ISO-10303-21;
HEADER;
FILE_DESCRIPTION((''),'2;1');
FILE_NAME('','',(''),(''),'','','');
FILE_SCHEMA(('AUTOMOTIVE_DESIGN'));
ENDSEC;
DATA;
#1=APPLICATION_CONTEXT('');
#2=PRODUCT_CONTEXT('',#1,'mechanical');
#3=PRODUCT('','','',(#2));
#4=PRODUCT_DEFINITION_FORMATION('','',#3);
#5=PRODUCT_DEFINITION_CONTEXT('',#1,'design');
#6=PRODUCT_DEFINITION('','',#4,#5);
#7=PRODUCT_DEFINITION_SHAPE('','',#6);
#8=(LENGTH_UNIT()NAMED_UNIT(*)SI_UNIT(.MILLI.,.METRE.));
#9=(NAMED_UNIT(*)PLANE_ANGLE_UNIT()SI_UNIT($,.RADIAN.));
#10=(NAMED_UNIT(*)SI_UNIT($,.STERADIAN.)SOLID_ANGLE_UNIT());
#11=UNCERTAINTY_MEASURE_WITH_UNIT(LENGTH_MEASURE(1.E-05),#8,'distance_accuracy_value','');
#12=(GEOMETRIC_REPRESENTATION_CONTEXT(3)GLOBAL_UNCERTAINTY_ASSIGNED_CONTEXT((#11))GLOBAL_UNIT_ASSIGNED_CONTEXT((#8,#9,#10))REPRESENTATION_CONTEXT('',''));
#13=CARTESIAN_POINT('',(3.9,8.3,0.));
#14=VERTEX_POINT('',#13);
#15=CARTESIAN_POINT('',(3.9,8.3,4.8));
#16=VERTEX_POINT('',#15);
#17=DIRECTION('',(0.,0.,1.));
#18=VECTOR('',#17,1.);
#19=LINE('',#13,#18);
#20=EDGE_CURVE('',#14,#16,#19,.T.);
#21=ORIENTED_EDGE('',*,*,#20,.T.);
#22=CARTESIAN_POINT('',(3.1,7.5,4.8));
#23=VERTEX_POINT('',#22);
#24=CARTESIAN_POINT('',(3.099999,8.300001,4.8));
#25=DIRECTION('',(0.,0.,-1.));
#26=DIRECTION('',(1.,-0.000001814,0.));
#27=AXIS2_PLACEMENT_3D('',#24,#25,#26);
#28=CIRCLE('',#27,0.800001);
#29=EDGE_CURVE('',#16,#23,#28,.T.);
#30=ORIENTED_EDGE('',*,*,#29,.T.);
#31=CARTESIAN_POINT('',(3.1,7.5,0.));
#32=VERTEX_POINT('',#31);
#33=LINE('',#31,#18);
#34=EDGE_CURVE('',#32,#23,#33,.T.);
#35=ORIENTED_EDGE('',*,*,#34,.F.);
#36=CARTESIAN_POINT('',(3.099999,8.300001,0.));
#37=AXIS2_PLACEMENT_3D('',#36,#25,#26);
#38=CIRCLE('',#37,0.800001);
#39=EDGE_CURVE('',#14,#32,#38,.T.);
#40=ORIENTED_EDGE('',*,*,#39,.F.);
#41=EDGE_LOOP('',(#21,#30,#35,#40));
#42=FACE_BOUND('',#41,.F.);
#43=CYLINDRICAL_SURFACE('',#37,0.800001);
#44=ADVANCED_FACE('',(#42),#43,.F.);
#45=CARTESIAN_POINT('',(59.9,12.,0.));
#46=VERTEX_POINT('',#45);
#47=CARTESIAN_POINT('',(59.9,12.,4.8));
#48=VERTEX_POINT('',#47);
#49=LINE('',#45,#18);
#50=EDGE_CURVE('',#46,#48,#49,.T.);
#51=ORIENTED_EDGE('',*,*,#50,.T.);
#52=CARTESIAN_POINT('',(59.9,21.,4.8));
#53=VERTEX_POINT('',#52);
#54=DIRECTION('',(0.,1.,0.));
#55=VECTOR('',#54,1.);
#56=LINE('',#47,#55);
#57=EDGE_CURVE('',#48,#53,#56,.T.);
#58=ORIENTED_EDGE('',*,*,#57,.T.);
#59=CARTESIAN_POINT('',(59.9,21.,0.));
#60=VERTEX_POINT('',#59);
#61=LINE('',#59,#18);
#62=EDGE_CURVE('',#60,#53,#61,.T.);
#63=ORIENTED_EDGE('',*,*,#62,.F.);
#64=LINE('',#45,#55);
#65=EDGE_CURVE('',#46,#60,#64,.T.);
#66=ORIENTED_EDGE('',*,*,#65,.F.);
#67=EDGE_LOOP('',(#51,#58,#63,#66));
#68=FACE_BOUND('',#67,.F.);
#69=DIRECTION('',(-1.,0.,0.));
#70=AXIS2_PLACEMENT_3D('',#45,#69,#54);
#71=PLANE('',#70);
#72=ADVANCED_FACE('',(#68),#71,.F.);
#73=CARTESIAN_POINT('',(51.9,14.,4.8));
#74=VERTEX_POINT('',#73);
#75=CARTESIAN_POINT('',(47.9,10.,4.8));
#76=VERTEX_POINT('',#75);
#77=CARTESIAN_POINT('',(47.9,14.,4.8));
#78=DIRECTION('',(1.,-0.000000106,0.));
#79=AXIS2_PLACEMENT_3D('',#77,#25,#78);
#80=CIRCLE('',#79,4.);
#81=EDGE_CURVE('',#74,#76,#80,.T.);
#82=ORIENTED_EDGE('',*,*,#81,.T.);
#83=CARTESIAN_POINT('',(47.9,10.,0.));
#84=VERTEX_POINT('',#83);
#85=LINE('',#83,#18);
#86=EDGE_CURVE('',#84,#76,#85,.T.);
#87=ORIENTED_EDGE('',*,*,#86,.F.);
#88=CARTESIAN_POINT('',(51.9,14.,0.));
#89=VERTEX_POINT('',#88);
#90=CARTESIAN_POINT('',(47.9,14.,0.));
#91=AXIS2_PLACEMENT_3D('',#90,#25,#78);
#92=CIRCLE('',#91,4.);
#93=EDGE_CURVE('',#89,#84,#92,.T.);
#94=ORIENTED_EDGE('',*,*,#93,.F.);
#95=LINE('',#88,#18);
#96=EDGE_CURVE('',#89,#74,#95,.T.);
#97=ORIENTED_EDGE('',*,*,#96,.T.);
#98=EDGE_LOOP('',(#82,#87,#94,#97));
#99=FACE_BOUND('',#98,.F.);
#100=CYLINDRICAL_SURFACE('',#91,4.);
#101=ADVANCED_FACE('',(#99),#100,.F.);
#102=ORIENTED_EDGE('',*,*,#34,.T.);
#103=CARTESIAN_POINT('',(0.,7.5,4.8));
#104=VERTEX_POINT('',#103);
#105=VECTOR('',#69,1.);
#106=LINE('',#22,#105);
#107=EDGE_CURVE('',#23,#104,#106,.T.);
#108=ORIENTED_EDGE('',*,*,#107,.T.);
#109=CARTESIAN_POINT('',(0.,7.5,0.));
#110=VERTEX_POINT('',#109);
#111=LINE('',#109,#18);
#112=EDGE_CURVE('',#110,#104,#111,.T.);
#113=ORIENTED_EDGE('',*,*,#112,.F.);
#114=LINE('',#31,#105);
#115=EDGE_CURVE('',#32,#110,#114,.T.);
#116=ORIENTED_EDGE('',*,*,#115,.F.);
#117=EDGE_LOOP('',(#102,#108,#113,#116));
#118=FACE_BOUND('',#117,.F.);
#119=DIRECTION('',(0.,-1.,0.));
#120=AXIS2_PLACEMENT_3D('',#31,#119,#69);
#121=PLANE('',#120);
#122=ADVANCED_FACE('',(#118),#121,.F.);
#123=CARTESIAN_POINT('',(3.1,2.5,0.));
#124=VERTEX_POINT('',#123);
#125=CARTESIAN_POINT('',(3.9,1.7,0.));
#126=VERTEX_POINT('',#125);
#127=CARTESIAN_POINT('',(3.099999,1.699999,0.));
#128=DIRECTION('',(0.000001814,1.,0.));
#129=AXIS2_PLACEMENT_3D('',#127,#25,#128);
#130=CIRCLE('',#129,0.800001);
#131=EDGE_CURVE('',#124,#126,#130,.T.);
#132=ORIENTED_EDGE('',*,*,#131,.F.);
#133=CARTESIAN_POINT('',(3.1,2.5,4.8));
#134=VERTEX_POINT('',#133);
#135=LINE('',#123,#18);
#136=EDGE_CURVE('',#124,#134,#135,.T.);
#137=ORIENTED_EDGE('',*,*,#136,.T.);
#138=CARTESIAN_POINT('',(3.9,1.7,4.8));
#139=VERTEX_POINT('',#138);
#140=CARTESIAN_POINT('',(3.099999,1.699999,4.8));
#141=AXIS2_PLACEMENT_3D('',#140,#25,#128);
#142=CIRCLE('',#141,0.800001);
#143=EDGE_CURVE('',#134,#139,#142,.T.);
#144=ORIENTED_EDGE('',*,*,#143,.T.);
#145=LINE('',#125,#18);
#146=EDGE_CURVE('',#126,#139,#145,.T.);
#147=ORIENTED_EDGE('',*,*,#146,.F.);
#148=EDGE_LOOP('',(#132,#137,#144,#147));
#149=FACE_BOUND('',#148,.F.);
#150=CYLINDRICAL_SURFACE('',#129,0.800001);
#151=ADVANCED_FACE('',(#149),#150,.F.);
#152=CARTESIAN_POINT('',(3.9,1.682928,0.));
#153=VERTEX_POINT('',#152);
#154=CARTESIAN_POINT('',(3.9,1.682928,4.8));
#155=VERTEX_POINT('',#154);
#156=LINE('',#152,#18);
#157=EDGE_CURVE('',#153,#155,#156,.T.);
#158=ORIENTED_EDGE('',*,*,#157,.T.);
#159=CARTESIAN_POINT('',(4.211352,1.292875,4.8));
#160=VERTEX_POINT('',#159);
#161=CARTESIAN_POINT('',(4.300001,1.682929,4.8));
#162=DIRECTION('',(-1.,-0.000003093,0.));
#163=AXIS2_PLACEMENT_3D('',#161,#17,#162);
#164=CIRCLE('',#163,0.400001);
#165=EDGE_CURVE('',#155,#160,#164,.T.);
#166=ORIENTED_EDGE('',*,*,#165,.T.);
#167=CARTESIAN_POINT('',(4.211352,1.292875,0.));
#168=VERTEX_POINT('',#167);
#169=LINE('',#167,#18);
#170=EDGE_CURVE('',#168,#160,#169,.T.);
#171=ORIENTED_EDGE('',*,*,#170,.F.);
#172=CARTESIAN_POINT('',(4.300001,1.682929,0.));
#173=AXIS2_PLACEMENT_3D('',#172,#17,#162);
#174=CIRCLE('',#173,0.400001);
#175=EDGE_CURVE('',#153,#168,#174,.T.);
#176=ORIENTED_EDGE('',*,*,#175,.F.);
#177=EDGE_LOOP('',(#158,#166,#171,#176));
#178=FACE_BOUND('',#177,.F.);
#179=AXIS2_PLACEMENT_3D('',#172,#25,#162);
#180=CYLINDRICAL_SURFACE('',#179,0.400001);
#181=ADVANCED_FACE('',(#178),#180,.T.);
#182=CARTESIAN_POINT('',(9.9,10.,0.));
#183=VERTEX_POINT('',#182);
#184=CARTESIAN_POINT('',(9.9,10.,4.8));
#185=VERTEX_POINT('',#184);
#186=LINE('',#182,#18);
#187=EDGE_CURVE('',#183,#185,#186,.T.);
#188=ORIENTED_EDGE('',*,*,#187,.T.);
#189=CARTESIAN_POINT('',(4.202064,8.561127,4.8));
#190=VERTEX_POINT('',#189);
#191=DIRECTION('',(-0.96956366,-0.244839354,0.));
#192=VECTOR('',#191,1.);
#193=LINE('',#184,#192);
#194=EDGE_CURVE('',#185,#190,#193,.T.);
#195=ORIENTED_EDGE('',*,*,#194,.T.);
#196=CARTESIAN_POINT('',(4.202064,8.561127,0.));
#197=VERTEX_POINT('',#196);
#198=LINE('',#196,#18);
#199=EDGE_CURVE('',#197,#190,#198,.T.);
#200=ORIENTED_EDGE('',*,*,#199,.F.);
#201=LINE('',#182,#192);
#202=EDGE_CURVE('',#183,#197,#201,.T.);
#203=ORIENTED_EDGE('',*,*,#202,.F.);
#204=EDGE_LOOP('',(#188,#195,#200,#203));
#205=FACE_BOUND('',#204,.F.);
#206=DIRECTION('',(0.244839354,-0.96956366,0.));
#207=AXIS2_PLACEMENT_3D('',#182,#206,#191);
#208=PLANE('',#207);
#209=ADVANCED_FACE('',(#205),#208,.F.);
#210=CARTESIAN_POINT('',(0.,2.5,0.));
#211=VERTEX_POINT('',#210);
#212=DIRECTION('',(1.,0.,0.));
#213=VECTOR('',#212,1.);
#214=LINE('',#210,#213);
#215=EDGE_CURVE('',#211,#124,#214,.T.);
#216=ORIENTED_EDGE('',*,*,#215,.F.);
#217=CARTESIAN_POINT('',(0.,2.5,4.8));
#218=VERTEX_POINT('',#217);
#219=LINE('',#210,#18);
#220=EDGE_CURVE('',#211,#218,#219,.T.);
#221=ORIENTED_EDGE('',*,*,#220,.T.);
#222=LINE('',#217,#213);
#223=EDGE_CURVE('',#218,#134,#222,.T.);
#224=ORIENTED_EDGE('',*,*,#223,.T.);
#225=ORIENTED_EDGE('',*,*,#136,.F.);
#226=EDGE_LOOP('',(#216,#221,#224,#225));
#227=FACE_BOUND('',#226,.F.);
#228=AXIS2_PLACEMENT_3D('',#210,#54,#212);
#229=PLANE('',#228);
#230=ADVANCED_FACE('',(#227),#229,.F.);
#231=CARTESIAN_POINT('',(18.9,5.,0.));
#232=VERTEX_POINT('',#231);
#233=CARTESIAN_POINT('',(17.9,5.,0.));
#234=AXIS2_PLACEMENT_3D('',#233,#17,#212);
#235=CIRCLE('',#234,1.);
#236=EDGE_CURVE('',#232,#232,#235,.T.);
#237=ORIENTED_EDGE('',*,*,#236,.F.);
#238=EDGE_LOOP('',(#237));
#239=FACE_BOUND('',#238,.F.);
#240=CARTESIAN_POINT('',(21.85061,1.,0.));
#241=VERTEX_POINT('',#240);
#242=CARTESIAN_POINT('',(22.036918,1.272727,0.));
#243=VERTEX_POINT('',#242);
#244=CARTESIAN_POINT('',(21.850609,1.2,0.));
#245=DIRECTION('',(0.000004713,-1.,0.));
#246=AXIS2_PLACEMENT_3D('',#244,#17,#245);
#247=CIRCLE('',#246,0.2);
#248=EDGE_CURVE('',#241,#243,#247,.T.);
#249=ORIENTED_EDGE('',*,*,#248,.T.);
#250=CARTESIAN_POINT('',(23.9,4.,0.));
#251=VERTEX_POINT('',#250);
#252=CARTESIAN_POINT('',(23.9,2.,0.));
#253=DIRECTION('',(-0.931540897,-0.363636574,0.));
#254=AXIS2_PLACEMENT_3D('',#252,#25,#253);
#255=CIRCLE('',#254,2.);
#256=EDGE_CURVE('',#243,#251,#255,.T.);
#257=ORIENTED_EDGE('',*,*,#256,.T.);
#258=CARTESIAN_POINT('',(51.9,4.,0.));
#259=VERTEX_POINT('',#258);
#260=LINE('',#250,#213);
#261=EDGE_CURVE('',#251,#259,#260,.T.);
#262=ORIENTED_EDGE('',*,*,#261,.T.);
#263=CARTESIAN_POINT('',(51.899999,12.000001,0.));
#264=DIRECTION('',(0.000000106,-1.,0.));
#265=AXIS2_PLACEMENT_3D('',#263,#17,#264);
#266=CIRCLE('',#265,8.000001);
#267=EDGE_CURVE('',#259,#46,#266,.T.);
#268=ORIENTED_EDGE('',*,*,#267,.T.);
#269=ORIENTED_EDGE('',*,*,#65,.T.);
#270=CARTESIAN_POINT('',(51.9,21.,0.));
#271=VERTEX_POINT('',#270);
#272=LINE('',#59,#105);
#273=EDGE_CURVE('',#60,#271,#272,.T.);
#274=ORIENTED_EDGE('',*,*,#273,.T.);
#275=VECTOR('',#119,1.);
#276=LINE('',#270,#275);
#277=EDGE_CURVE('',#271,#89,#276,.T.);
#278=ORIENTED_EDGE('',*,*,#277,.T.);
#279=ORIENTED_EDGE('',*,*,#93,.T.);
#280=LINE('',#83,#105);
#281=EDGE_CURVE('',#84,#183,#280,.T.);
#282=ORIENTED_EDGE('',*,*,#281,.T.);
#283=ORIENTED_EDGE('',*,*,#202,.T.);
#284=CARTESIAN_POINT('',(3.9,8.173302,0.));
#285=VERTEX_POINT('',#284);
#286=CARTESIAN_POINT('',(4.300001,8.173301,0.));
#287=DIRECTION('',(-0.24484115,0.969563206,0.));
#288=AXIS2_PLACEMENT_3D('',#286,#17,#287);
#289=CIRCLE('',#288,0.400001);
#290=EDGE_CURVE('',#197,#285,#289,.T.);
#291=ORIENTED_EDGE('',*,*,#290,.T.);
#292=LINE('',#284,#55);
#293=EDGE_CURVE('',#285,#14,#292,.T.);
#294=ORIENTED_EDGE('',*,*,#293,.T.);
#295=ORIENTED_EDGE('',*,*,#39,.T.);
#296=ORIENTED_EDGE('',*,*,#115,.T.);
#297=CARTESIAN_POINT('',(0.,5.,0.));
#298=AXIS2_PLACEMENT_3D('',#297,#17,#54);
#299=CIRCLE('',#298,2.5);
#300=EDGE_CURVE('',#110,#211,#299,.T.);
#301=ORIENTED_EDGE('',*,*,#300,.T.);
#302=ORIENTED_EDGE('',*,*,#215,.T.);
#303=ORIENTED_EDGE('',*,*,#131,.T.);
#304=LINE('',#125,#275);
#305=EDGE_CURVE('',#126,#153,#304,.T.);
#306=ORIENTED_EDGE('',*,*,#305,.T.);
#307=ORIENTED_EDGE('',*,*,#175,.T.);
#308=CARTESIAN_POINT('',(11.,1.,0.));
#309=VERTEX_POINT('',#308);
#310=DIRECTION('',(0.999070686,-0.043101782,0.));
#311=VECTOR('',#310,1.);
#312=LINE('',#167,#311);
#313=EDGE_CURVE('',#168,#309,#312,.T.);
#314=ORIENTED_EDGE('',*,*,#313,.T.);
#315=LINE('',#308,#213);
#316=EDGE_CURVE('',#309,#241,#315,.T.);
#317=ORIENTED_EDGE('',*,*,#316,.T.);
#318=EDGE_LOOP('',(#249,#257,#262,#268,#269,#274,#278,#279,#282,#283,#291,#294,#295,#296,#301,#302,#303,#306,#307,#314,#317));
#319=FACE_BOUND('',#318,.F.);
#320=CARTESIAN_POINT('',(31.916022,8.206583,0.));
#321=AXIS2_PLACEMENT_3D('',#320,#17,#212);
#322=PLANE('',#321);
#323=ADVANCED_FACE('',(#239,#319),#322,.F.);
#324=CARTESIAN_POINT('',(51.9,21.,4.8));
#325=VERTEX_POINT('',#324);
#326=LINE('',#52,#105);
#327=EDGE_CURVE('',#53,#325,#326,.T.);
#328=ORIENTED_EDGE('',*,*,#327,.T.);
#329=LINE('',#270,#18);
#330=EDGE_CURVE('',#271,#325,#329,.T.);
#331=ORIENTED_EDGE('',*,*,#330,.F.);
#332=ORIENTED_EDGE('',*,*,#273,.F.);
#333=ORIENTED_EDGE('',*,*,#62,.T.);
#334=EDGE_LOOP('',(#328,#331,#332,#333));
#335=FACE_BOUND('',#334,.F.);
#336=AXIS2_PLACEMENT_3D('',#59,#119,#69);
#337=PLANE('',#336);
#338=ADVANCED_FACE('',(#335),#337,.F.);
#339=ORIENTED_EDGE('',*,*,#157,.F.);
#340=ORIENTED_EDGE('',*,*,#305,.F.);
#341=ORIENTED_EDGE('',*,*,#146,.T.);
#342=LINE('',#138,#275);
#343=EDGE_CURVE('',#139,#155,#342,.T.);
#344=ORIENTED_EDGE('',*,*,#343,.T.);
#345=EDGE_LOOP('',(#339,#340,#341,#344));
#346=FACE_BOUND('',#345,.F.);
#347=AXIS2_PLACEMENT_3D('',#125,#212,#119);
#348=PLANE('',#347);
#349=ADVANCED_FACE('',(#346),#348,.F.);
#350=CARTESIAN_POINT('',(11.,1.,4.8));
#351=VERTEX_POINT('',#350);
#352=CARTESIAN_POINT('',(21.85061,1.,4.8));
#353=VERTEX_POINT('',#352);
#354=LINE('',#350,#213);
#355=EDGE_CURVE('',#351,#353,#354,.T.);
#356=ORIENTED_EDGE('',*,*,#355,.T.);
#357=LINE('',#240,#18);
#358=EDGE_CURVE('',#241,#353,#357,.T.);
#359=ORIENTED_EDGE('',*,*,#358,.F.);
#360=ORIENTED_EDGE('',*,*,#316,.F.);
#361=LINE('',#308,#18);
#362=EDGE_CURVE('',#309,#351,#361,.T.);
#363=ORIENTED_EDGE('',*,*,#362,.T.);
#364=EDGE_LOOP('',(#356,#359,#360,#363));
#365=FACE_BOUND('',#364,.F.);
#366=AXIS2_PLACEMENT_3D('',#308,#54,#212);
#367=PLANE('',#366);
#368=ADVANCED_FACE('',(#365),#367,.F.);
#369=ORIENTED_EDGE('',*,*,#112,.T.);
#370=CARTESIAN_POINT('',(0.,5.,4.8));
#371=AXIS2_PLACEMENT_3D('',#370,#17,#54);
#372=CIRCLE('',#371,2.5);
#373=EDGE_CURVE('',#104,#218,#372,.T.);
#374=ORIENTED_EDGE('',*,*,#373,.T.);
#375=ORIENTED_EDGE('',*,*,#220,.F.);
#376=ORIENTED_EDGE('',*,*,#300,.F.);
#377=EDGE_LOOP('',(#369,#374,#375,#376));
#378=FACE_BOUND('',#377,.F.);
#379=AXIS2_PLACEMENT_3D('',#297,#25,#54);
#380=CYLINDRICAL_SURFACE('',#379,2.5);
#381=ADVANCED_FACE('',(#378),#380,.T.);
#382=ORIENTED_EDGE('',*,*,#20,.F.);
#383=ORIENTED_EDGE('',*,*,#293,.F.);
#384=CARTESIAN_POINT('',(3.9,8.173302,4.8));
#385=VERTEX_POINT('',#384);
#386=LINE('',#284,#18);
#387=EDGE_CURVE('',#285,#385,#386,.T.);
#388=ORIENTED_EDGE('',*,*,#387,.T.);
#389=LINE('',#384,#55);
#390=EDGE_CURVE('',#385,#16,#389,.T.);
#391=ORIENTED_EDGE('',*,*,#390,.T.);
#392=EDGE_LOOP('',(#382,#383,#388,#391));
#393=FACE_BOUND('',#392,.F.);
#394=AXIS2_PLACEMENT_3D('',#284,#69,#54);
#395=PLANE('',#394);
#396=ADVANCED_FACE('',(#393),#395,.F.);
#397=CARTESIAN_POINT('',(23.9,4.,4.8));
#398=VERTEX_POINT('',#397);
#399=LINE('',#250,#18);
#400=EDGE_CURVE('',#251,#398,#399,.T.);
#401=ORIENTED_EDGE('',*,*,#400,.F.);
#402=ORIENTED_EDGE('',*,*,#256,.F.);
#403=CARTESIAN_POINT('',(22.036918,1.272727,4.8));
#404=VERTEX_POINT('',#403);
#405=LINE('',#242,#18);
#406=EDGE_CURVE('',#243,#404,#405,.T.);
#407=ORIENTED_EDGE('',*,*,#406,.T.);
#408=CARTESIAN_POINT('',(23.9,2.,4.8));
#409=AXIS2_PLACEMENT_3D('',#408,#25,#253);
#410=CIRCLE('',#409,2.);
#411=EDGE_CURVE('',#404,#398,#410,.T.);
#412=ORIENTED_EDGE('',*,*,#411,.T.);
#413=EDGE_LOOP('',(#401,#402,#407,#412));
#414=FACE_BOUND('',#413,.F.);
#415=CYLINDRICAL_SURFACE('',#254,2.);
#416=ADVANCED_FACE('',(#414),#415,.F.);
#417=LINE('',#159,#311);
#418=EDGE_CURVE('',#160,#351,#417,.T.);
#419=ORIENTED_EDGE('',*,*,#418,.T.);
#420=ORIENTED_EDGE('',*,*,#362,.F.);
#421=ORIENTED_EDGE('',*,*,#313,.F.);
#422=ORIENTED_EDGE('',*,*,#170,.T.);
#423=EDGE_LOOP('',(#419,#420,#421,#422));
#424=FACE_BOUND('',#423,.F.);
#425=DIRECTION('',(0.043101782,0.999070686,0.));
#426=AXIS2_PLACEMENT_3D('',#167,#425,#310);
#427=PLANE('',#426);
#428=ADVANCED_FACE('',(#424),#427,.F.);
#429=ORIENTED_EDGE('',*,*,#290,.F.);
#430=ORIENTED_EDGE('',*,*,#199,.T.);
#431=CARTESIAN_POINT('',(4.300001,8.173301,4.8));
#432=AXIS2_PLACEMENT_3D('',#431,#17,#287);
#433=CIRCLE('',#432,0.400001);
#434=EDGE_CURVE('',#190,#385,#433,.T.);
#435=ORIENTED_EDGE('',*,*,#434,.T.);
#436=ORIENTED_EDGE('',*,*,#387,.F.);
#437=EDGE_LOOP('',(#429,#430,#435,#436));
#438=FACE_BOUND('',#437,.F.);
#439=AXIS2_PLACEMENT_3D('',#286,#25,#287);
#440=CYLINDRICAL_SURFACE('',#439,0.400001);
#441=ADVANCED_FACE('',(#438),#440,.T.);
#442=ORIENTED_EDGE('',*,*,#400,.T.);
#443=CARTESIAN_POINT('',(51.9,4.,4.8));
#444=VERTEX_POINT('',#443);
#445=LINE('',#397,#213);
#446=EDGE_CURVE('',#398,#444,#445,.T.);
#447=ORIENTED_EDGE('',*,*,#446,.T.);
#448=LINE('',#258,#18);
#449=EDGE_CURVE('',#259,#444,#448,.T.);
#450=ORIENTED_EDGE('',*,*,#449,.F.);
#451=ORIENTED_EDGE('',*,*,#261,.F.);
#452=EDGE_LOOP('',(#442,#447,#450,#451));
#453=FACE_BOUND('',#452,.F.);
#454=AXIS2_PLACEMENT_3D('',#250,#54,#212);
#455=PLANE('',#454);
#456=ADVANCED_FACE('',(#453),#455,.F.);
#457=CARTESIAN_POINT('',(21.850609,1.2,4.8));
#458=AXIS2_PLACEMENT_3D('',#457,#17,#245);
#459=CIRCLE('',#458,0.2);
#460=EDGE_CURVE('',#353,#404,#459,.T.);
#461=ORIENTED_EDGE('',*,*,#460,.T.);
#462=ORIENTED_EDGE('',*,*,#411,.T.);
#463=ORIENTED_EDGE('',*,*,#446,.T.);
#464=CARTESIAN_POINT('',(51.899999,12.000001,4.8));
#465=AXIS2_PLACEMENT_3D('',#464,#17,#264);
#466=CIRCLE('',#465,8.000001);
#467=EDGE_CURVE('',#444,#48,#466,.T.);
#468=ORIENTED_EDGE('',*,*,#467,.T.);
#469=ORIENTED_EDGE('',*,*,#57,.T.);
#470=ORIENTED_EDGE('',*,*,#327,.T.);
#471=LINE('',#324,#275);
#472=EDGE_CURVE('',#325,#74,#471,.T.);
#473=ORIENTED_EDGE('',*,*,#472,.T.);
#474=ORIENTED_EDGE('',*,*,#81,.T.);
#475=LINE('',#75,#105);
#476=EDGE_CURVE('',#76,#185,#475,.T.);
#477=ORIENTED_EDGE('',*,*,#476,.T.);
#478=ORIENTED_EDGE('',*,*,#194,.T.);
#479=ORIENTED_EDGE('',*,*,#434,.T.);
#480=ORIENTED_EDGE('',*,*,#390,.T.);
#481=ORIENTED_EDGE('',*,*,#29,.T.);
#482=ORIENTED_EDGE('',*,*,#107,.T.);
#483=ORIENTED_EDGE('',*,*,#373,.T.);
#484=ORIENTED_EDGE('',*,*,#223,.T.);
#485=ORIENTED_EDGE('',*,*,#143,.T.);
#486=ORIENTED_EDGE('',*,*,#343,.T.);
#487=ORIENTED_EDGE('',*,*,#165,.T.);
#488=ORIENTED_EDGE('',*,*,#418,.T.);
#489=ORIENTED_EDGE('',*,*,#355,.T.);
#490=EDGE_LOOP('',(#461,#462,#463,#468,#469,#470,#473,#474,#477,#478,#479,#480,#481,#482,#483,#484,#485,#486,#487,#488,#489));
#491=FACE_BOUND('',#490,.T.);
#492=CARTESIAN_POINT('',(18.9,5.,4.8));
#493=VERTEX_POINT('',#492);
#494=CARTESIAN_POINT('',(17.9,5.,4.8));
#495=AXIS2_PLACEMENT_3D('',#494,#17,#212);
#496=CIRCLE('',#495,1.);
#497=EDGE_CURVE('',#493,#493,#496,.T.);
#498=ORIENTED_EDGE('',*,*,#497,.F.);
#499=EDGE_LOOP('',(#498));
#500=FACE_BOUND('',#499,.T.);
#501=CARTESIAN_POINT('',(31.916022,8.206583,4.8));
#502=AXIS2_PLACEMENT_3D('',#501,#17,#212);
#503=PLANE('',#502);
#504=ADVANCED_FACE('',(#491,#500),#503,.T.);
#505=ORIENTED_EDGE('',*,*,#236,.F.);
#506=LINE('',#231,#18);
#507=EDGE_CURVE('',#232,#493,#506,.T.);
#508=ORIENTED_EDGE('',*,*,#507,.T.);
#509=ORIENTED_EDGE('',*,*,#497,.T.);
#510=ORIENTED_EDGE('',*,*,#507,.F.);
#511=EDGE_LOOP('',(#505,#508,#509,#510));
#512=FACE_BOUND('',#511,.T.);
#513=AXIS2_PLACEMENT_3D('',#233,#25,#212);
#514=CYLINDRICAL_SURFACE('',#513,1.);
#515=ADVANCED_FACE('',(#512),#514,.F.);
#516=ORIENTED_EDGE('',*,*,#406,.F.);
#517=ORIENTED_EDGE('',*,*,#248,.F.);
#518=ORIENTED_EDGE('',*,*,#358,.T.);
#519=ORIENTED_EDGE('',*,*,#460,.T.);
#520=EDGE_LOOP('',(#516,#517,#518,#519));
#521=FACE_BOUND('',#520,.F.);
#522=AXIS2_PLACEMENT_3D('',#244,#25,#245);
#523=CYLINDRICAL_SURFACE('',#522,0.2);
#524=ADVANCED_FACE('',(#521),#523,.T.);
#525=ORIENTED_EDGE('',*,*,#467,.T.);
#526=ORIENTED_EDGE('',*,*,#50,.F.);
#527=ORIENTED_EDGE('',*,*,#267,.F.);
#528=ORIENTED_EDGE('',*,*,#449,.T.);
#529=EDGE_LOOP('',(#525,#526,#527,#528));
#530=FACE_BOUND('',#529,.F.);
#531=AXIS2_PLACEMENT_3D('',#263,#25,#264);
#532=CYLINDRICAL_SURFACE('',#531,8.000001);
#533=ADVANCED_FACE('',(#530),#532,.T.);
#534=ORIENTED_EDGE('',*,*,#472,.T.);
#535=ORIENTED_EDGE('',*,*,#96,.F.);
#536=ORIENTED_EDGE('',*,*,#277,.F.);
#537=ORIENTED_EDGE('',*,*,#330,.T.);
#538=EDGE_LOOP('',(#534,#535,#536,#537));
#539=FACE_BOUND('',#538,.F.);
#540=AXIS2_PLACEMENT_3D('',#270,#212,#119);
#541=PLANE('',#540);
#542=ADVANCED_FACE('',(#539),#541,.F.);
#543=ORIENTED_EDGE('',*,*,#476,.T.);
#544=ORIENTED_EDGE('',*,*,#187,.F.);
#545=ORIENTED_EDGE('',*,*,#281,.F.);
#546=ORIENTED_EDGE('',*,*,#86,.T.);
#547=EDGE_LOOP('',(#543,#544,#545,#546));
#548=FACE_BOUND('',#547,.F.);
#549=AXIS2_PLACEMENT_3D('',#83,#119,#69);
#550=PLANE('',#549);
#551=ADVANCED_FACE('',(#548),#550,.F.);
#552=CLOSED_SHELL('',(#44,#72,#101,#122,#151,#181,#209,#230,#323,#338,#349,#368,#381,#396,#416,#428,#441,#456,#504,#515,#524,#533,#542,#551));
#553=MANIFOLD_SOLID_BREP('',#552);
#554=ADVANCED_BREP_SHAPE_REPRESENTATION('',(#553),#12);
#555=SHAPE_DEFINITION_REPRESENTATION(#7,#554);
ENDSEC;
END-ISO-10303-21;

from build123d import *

# Parameters (mm, degrees)
F0_R     = 1
F1_DEPTH = 4.8


with BuildPart() as f1:
    # F0 (on Top) → F1 (new body)
    with BuildSketch(Plane.XY):
        with BuildLine():
            ThreePointArc((51.9, 4), (57.556854, 6.343146), (59.9, 12))
            Line((59.9, 12), (59.9, 21))
            Line((59.9, 21), (51.9, 21))
            Line((51.9, 21), (51.9, 14))
            ThreePointArc((51.9, 14), (50.728427, 11.171573), (47.9, 10))
            Line((47.9, 10), (9.9, 10))
            Line((9.9, 10), (4.202064, 8.561127))
            ThreePointArc((4.202064, 8.561127), (3.984426, 8.419092), (3.9, 8.173302))
            Line((3.9, 8.173302), (3.9, 8.3))
            ThreePointArc((3.9, 8.3), (3.665685, 7.734315), (3.1, 7.5))
            Line((3.1, 7.5), (0, 7.5))
            ThreePointArc((0, 7.5), (-2.5, 5), (0, 2.5))
            Line((0, 2.5), (3.1, 2.5))
            ThreePointArc((3.1, 2.5), (3.665685, 2.265685), (3.9, 1.7))
            Line((3.9, 1.7), (3.9, 1.682928))
            ThreePointArc((3.9, 1.682928), (3.987383, 1.433388), (4.211352, 1.292875))
            Line((4.211352, 1.292875), (11, 1))
            Line((11, 1), (21.85061, 1))
            ThreePointArc((21.85061, 1), (22.015754, 1.087185), (22.036918, 1.272727))
            ThreePointArc((22.036918, 1.272727), (22.248554, 3.128152), (23.9, 4))
            Line((23.9, 4), (51.9, 4))
        make_face()
        with Locations((17.9, 5)):
            Circle(F0_R, mode=Mode.SUBTRACT)
    extrude(amount=F1_DEPTH)


solid = f1.part
